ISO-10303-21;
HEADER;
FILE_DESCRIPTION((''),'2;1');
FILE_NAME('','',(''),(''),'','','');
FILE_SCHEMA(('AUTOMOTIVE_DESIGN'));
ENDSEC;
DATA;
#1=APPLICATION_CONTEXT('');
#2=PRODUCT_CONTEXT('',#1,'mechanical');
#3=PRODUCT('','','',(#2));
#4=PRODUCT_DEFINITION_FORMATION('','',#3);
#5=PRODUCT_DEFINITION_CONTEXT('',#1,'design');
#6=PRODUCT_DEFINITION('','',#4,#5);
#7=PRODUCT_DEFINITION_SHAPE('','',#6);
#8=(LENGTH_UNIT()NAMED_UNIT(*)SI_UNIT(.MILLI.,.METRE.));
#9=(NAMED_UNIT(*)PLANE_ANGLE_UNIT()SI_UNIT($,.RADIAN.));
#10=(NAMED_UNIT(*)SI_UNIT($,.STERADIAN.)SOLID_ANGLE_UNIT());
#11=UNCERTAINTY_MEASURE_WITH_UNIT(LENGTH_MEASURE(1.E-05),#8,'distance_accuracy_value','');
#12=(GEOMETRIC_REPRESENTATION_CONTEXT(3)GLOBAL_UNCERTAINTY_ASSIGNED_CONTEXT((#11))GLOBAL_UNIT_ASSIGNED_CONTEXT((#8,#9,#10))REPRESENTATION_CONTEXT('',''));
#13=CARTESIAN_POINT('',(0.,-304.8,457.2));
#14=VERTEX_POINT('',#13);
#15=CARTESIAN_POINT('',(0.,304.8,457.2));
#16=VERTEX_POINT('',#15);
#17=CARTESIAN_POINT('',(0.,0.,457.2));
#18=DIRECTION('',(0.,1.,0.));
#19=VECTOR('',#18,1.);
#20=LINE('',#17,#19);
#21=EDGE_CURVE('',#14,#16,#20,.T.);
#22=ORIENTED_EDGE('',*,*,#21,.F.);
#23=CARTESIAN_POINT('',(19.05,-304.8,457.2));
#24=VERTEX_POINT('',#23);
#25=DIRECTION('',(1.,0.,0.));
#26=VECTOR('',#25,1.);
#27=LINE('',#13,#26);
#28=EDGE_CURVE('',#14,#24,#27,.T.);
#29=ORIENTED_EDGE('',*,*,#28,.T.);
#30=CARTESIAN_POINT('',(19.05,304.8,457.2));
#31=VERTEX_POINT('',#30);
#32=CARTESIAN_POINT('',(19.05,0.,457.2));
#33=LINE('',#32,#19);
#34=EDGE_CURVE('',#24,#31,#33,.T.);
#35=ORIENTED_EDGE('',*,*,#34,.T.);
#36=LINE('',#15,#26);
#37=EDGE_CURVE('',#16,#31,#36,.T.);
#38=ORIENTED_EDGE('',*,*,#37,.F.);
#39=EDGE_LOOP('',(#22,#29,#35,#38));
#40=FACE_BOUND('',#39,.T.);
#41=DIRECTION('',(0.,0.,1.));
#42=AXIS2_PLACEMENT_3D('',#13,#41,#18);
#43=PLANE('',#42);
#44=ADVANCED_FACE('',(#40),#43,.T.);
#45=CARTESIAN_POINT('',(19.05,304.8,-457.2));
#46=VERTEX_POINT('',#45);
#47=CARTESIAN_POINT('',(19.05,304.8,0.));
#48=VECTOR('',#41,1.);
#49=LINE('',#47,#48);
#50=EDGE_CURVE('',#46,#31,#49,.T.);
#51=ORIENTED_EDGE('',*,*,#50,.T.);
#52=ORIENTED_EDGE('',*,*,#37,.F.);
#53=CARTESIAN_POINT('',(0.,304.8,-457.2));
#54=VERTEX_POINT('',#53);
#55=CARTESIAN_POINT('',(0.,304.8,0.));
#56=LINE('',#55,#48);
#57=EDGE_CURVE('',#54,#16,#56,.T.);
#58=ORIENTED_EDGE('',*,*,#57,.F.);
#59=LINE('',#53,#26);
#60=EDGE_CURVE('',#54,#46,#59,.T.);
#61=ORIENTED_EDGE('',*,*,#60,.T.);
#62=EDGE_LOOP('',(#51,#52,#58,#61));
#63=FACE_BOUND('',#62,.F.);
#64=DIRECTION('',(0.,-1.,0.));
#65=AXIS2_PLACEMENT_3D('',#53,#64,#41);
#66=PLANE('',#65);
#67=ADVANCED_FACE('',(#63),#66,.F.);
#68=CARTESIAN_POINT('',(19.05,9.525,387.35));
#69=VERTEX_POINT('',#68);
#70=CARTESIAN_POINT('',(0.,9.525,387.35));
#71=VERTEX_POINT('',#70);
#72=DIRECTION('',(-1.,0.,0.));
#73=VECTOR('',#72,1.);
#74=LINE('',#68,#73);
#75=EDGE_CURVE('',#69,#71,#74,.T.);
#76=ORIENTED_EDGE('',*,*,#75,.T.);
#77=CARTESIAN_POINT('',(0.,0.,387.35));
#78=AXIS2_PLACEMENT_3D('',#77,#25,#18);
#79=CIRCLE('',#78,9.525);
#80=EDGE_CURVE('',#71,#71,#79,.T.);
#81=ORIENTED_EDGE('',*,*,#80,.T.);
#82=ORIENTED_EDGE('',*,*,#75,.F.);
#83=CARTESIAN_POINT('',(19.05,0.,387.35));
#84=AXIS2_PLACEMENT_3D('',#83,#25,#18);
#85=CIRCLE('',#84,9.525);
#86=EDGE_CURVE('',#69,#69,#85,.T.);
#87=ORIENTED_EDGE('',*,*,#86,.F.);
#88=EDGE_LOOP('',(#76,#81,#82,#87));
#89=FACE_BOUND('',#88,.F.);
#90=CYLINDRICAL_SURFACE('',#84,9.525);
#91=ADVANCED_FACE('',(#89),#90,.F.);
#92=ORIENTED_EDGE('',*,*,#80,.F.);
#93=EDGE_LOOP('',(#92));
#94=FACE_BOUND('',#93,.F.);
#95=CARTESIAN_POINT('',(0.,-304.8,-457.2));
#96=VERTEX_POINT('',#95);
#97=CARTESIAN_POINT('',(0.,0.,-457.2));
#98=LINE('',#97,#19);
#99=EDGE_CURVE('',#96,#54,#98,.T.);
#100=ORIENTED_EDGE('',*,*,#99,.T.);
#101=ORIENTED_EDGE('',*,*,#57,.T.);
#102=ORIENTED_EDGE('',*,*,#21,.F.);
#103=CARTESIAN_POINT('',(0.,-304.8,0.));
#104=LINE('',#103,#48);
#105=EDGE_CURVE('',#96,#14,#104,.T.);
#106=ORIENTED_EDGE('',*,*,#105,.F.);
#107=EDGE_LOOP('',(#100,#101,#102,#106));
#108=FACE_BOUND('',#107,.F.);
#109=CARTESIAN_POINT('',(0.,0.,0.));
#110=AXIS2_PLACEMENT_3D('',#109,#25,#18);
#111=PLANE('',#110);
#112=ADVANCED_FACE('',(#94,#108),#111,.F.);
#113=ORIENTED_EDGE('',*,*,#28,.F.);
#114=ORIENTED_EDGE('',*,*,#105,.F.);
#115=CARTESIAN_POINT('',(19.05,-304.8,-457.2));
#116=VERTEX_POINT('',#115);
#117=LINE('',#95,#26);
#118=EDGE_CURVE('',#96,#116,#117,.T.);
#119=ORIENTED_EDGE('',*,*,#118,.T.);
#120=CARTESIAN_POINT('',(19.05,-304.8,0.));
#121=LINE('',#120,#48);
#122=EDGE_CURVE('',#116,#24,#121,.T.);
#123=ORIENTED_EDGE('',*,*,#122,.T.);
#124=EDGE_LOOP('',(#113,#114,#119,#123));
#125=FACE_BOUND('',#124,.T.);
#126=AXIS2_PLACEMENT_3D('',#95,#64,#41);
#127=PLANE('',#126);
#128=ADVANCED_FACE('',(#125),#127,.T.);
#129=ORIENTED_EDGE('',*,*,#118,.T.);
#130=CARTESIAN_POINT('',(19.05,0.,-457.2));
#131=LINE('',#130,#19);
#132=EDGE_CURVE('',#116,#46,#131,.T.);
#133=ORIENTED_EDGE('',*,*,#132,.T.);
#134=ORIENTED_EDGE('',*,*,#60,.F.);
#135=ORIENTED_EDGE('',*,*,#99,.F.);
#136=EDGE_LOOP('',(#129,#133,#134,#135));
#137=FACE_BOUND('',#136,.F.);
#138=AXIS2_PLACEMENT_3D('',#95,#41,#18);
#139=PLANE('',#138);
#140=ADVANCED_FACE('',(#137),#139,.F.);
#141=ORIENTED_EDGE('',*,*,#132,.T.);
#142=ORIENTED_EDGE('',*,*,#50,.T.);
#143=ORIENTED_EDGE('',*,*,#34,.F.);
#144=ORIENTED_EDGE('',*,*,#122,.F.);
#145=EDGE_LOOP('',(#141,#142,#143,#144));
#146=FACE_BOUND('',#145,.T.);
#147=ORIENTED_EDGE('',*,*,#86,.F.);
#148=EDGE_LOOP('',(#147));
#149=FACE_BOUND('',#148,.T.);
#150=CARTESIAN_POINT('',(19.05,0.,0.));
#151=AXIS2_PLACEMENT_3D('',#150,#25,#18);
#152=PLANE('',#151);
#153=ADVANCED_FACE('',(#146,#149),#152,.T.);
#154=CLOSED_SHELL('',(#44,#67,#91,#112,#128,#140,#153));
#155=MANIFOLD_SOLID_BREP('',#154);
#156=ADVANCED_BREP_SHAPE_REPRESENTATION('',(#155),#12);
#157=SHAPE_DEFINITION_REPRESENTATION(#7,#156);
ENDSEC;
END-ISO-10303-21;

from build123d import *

# Parameters (mm, degrees)
F0_W     = 609.6
F0_H     = 914.4
F1_DEPTH = 19.05
F2_R     = 9.525
F3_DEPTH = 25.4


with BuildPart() as f1:
    # F0 (on Right) → F1 (new body)
    with BuildSketch(Plane.YZ):
        Rectangle(F0_W, F0_H)
    extrude(amount=F1_DEPTH)

    # F2 (on face) → F3 (cut)
    with BuildSketch(Plane.YZ.offset(19.05)):
        with Locations((0, 387.35)):
            Circle(F2_R)
    extrude(amount=-F3_DEPTH, mode=Mode.SUBTRACT)


solid = f1.part
